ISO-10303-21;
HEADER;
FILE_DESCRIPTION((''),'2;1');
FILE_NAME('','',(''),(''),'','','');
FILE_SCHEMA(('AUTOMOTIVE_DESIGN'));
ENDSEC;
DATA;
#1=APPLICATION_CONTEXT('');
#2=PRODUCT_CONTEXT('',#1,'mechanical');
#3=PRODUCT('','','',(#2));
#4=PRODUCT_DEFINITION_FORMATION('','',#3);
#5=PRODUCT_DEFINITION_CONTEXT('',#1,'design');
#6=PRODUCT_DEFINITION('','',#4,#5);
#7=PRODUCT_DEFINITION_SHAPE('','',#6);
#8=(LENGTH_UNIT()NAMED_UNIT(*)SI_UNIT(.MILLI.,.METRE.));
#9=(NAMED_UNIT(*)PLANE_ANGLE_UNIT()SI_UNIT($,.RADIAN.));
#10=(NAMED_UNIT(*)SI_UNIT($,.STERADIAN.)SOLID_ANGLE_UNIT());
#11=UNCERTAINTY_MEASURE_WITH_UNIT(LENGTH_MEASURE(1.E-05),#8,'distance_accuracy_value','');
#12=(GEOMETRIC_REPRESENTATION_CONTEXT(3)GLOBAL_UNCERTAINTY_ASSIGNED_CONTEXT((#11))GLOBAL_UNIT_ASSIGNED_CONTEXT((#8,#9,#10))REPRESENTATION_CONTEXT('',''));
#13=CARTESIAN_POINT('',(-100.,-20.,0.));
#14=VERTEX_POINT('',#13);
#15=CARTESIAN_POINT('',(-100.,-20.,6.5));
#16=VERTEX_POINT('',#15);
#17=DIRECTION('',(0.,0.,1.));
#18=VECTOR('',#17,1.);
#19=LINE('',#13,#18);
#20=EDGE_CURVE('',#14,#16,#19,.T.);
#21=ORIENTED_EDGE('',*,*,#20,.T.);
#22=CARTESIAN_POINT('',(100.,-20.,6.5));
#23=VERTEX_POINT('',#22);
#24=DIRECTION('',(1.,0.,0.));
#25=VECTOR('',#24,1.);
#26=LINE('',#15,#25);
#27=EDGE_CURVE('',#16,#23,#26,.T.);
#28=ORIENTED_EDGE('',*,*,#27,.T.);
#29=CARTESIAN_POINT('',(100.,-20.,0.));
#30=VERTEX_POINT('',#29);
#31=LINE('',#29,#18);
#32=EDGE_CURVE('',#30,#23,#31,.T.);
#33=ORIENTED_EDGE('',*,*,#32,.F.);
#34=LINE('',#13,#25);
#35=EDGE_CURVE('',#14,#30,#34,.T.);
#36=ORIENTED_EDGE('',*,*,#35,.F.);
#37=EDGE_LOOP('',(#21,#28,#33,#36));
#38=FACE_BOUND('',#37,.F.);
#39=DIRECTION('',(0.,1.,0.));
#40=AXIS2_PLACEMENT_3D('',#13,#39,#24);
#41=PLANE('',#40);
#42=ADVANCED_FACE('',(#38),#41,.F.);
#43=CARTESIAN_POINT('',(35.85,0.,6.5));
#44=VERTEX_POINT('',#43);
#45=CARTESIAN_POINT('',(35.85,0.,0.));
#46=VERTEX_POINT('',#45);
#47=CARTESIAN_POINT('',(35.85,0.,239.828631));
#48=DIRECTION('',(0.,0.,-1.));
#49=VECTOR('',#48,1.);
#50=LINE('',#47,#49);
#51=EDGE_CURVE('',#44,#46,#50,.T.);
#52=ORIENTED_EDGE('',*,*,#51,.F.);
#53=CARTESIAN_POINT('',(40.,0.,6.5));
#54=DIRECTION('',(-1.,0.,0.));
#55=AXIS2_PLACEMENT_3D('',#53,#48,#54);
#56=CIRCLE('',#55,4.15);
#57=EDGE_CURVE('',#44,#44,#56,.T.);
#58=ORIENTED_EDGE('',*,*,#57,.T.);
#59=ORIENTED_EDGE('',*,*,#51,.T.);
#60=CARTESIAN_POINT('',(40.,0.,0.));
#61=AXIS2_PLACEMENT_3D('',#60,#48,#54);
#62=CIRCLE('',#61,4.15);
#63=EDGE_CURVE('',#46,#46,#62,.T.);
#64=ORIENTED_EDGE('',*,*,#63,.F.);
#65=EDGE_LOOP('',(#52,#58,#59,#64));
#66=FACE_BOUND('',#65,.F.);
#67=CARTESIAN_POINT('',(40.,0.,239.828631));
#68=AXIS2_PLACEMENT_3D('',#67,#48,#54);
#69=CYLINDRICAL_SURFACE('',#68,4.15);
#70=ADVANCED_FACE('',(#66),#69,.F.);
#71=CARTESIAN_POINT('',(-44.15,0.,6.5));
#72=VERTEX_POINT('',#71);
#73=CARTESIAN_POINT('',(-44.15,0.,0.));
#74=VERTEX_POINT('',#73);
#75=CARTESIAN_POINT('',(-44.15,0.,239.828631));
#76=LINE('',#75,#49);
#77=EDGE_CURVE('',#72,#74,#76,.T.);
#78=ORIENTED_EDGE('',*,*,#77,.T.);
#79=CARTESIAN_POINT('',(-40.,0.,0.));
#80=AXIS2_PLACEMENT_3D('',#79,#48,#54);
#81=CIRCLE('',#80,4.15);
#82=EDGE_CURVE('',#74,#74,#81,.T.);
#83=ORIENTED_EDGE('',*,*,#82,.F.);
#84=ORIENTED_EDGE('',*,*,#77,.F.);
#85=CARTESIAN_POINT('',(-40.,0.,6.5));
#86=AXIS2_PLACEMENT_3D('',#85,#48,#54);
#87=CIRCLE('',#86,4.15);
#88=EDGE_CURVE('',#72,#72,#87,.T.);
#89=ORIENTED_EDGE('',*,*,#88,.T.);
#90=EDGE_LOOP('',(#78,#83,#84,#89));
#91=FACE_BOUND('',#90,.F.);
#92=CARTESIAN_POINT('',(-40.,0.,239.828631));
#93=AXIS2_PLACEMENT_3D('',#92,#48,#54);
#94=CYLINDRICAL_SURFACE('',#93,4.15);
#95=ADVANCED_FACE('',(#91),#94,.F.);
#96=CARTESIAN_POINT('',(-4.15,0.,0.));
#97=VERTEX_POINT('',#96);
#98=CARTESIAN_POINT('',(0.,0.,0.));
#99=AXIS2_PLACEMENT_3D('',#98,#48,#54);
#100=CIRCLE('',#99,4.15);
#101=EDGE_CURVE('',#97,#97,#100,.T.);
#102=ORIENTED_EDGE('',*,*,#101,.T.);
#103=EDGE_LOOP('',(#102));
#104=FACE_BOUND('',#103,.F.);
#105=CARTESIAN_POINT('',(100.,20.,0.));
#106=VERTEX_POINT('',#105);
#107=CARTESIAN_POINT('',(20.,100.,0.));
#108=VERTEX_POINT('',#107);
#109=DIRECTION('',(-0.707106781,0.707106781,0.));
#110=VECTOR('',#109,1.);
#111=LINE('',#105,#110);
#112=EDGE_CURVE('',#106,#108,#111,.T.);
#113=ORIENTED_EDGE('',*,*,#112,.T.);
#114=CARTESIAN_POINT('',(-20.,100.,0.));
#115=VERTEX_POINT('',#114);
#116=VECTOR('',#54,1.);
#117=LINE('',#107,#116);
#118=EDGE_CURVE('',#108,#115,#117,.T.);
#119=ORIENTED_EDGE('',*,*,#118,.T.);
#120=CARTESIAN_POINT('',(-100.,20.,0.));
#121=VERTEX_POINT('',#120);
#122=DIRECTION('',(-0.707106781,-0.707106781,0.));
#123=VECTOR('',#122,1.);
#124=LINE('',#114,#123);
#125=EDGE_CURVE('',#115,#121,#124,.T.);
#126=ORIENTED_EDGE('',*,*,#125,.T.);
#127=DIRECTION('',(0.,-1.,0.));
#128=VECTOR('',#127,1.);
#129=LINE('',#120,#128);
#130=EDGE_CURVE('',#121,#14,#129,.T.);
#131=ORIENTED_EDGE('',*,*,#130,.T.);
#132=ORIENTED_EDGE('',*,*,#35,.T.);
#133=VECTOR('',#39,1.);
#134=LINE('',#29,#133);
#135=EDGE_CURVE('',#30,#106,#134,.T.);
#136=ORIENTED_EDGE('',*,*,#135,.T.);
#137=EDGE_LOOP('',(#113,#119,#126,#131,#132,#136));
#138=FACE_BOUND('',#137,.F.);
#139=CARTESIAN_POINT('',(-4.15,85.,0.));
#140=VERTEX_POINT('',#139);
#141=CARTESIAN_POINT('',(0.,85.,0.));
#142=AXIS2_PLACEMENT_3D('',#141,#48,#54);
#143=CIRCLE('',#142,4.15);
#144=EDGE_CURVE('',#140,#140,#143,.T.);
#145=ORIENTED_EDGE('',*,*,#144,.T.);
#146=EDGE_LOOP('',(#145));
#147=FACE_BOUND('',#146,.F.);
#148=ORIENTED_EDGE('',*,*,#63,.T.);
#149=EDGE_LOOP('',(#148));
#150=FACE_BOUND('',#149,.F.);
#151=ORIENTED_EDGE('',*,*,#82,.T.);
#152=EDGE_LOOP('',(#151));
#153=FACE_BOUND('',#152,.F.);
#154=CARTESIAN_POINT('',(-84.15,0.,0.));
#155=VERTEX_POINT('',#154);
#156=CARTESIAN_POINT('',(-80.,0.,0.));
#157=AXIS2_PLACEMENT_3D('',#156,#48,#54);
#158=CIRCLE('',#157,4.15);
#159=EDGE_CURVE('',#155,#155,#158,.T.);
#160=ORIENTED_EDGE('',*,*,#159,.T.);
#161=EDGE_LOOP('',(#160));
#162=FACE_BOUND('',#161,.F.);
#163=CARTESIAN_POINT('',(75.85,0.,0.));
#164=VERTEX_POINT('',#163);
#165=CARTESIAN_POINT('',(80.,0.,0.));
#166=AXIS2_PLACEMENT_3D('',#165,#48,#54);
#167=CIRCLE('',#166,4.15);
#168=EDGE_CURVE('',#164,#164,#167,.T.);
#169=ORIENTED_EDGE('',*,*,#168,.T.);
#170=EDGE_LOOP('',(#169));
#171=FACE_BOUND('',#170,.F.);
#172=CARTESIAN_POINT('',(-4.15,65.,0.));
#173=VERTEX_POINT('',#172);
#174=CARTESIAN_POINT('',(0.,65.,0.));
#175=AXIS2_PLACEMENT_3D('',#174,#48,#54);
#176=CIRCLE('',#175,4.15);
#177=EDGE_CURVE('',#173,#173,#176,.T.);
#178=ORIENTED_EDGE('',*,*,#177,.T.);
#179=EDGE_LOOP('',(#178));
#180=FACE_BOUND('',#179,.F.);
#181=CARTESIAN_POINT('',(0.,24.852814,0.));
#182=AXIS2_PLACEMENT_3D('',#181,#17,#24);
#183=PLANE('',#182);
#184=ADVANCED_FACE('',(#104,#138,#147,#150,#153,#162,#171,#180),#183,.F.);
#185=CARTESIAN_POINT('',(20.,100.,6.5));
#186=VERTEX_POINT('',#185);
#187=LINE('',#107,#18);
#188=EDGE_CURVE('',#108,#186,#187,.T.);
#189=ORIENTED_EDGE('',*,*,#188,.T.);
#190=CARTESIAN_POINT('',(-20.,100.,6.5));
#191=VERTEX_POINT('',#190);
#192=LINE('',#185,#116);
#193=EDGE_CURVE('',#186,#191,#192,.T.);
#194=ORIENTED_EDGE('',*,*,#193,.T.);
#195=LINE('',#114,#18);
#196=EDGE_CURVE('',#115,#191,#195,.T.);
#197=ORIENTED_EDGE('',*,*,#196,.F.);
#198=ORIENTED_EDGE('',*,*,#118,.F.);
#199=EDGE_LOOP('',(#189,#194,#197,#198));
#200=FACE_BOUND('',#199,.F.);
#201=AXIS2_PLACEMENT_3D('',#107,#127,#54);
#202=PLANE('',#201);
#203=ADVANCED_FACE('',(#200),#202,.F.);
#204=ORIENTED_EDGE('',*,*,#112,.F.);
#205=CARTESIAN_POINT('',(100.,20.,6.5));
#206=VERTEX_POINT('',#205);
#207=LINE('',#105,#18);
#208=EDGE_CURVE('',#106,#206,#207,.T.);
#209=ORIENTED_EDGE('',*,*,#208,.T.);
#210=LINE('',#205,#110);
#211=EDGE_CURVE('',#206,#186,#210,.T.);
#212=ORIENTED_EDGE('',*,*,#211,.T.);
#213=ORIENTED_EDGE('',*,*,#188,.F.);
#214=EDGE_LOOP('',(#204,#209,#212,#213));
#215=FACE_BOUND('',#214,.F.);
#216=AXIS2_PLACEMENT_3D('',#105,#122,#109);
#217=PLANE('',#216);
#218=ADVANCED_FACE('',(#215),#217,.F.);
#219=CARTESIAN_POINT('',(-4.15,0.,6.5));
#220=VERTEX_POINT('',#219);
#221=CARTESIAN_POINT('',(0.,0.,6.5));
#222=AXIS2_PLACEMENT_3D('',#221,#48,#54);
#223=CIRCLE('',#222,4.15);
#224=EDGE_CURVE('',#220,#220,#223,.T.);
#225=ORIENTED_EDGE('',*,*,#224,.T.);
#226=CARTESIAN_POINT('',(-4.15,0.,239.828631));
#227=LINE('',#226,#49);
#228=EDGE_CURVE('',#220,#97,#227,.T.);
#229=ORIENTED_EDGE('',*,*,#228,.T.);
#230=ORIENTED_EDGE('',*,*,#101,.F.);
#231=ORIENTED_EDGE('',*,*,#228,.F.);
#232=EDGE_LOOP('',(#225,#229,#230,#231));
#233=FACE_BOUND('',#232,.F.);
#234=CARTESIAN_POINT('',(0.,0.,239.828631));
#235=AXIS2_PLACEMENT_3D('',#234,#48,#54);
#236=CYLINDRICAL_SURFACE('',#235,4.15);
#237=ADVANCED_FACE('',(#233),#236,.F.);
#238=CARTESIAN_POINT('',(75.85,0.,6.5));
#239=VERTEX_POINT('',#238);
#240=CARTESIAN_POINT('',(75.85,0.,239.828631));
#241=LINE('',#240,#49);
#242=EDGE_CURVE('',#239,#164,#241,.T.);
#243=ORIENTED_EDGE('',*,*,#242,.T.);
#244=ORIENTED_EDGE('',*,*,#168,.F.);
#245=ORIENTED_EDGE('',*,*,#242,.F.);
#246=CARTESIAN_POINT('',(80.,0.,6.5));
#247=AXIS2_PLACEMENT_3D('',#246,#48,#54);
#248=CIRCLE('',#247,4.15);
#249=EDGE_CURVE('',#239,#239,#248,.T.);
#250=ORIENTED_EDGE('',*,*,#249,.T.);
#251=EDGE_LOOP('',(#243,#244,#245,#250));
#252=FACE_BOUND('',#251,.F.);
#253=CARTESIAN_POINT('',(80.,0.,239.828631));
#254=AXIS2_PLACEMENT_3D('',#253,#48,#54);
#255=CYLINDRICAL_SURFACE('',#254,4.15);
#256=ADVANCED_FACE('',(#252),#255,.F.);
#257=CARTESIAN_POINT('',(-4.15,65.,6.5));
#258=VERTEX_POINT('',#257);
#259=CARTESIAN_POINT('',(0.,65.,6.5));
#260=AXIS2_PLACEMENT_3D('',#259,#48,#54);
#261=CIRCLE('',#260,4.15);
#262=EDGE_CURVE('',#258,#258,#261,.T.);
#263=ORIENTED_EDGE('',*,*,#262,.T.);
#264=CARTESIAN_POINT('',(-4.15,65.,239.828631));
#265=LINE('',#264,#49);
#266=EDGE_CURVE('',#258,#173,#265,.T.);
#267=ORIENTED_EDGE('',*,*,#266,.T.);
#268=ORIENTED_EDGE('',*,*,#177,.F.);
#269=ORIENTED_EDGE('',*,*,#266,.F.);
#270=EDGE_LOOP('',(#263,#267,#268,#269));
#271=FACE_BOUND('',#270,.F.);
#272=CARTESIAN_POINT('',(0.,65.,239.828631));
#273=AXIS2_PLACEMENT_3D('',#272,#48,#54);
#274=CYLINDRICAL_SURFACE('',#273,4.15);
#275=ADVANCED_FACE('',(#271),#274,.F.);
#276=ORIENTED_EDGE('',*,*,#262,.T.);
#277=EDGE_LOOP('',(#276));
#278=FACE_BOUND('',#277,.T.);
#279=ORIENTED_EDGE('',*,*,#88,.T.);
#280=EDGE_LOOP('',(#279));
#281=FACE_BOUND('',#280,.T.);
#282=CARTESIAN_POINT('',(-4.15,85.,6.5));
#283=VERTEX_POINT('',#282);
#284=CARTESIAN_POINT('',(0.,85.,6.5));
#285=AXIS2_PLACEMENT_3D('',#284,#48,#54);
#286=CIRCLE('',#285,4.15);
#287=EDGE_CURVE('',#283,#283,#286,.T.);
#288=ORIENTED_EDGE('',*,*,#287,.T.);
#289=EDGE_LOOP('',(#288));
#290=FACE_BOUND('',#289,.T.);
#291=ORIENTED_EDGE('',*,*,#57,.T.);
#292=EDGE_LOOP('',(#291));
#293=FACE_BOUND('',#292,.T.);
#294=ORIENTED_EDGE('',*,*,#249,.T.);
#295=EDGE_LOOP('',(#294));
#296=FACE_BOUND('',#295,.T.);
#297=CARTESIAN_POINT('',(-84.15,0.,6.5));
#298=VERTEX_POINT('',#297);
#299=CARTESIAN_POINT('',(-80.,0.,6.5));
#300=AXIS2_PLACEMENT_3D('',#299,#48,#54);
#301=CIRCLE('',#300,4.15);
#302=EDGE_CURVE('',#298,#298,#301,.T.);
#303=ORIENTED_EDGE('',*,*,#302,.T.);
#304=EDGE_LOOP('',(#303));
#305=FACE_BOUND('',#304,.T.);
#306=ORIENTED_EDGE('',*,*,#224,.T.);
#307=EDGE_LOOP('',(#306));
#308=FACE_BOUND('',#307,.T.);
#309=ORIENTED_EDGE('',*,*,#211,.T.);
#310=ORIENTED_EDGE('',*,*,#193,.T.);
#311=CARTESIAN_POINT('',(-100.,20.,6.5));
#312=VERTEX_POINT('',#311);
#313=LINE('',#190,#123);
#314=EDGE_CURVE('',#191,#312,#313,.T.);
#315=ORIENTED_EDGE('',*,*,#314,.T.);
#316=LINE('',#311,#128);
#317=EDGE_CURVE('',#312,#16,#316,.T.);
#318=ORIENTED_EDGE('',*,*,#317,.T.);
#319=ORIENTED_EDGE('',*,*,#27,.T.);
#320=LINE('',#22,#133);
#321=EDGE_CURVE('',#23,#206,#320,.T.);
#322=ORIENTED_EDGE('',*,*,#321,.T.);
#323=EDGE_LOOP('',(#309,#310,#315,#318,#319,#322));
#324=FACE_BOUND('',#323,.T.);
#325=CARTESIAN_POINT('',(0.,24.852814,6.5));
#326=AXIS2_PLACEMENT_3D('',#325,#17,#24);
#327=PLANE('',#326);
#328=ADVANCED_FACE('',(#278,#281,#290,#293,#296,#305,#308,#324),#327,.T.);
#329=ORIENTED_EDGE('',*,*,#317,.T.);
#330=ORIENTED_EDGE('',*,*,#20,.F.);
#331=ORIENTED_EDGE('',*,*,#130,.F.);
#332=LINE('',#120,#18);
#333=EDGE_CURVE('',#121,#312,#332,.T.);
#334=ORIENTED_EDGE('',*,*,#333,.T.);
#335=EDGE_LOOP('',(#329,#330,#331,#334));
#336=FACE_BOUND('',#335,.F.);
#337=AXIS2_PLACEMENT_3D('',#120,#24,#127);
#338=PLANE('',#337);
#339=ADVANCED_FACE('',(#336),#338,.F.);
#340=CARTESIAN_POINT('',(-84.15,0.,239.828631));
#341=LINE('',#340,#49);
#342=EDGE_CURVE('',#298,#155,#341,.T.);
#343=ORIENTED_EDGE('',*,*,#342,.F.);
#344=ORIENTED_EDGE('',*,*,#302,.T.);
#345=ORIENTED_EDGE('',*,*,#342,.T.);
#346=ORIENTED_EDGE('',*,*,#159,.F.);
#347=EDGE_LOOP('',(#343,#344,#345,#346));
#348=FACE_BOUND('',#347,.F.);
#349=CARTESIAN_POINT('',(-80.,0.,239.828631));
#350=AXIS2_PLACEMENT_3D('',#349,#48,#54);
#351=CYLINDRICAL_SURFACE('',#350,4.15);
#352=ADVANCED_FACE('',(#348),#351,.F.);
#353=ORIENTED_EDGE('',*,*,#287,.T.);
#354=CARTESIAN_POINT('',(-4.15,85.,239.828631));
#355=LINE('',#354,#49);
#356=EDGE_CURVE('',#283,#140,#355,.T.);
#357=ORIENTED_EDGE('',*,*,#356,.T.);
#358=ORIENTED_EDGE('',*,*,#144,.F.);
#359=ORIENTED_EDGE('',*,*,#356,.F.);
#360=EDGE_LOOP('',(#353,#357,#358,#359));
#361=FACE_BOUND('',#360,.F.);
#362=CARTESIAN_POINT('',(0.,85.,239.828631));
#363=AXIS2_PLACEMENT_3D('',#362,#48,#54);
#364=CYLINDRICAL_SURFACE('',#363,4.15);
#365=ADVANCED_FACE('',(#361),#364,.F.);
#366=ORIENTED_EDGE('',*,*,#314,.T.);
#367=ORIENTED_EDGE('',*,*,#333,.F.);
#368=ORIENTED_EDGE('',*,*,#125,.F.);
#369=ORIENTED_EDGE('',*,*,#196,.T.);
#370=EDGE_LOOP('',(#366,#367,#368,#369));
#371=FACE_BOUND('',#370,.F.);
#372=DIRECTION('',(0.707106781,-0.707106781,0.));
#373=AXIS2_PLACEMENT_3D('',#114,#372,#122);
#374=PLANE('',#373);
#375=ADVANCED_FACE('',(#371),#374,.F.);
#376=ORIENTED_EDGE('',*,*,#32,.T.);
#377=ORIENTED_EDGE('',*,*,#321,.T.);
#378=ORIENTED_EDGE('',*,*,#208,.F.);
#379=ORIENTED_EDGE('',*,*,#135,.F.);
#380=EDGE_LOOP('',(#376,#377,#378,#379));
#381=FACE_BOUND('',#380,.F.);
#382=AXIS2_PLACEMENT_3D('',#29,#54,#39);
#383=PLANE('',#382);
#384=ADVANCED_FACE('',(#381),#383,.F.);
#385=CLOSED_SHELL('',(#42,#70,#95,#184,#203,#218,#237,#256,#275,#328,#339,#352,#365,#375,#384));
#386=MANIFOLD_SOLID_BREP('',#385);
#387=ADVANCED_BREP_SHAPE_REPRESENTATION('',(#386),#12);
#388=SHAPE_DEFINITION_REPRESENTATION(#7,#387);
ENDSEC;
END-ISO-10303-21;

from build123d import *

# Parameters (mm, degrees)
F1_DEPTH = 6.5
F3_D     = 8.3


with BuildPart() as f1:
    # F0 (on Top) → F1 (new body)
    with BuildSketch(Plane.XY):
        Polygon((-20, 100), (-100, 20), (-100, -20), (100, -20), (100, 20), (20, 100), align=None)
    extrude(amount=F1_DEPTH)

    # F3 (through all)
    with Locations(Plane.XY.offset(6.5)):
        with Locations((0, 85), (0, 65), (-40, 0), (-80, 0), (0, 0), (40, 0), (80, 0)):
            Hole(F3_D / 2)


solid = f1.part
